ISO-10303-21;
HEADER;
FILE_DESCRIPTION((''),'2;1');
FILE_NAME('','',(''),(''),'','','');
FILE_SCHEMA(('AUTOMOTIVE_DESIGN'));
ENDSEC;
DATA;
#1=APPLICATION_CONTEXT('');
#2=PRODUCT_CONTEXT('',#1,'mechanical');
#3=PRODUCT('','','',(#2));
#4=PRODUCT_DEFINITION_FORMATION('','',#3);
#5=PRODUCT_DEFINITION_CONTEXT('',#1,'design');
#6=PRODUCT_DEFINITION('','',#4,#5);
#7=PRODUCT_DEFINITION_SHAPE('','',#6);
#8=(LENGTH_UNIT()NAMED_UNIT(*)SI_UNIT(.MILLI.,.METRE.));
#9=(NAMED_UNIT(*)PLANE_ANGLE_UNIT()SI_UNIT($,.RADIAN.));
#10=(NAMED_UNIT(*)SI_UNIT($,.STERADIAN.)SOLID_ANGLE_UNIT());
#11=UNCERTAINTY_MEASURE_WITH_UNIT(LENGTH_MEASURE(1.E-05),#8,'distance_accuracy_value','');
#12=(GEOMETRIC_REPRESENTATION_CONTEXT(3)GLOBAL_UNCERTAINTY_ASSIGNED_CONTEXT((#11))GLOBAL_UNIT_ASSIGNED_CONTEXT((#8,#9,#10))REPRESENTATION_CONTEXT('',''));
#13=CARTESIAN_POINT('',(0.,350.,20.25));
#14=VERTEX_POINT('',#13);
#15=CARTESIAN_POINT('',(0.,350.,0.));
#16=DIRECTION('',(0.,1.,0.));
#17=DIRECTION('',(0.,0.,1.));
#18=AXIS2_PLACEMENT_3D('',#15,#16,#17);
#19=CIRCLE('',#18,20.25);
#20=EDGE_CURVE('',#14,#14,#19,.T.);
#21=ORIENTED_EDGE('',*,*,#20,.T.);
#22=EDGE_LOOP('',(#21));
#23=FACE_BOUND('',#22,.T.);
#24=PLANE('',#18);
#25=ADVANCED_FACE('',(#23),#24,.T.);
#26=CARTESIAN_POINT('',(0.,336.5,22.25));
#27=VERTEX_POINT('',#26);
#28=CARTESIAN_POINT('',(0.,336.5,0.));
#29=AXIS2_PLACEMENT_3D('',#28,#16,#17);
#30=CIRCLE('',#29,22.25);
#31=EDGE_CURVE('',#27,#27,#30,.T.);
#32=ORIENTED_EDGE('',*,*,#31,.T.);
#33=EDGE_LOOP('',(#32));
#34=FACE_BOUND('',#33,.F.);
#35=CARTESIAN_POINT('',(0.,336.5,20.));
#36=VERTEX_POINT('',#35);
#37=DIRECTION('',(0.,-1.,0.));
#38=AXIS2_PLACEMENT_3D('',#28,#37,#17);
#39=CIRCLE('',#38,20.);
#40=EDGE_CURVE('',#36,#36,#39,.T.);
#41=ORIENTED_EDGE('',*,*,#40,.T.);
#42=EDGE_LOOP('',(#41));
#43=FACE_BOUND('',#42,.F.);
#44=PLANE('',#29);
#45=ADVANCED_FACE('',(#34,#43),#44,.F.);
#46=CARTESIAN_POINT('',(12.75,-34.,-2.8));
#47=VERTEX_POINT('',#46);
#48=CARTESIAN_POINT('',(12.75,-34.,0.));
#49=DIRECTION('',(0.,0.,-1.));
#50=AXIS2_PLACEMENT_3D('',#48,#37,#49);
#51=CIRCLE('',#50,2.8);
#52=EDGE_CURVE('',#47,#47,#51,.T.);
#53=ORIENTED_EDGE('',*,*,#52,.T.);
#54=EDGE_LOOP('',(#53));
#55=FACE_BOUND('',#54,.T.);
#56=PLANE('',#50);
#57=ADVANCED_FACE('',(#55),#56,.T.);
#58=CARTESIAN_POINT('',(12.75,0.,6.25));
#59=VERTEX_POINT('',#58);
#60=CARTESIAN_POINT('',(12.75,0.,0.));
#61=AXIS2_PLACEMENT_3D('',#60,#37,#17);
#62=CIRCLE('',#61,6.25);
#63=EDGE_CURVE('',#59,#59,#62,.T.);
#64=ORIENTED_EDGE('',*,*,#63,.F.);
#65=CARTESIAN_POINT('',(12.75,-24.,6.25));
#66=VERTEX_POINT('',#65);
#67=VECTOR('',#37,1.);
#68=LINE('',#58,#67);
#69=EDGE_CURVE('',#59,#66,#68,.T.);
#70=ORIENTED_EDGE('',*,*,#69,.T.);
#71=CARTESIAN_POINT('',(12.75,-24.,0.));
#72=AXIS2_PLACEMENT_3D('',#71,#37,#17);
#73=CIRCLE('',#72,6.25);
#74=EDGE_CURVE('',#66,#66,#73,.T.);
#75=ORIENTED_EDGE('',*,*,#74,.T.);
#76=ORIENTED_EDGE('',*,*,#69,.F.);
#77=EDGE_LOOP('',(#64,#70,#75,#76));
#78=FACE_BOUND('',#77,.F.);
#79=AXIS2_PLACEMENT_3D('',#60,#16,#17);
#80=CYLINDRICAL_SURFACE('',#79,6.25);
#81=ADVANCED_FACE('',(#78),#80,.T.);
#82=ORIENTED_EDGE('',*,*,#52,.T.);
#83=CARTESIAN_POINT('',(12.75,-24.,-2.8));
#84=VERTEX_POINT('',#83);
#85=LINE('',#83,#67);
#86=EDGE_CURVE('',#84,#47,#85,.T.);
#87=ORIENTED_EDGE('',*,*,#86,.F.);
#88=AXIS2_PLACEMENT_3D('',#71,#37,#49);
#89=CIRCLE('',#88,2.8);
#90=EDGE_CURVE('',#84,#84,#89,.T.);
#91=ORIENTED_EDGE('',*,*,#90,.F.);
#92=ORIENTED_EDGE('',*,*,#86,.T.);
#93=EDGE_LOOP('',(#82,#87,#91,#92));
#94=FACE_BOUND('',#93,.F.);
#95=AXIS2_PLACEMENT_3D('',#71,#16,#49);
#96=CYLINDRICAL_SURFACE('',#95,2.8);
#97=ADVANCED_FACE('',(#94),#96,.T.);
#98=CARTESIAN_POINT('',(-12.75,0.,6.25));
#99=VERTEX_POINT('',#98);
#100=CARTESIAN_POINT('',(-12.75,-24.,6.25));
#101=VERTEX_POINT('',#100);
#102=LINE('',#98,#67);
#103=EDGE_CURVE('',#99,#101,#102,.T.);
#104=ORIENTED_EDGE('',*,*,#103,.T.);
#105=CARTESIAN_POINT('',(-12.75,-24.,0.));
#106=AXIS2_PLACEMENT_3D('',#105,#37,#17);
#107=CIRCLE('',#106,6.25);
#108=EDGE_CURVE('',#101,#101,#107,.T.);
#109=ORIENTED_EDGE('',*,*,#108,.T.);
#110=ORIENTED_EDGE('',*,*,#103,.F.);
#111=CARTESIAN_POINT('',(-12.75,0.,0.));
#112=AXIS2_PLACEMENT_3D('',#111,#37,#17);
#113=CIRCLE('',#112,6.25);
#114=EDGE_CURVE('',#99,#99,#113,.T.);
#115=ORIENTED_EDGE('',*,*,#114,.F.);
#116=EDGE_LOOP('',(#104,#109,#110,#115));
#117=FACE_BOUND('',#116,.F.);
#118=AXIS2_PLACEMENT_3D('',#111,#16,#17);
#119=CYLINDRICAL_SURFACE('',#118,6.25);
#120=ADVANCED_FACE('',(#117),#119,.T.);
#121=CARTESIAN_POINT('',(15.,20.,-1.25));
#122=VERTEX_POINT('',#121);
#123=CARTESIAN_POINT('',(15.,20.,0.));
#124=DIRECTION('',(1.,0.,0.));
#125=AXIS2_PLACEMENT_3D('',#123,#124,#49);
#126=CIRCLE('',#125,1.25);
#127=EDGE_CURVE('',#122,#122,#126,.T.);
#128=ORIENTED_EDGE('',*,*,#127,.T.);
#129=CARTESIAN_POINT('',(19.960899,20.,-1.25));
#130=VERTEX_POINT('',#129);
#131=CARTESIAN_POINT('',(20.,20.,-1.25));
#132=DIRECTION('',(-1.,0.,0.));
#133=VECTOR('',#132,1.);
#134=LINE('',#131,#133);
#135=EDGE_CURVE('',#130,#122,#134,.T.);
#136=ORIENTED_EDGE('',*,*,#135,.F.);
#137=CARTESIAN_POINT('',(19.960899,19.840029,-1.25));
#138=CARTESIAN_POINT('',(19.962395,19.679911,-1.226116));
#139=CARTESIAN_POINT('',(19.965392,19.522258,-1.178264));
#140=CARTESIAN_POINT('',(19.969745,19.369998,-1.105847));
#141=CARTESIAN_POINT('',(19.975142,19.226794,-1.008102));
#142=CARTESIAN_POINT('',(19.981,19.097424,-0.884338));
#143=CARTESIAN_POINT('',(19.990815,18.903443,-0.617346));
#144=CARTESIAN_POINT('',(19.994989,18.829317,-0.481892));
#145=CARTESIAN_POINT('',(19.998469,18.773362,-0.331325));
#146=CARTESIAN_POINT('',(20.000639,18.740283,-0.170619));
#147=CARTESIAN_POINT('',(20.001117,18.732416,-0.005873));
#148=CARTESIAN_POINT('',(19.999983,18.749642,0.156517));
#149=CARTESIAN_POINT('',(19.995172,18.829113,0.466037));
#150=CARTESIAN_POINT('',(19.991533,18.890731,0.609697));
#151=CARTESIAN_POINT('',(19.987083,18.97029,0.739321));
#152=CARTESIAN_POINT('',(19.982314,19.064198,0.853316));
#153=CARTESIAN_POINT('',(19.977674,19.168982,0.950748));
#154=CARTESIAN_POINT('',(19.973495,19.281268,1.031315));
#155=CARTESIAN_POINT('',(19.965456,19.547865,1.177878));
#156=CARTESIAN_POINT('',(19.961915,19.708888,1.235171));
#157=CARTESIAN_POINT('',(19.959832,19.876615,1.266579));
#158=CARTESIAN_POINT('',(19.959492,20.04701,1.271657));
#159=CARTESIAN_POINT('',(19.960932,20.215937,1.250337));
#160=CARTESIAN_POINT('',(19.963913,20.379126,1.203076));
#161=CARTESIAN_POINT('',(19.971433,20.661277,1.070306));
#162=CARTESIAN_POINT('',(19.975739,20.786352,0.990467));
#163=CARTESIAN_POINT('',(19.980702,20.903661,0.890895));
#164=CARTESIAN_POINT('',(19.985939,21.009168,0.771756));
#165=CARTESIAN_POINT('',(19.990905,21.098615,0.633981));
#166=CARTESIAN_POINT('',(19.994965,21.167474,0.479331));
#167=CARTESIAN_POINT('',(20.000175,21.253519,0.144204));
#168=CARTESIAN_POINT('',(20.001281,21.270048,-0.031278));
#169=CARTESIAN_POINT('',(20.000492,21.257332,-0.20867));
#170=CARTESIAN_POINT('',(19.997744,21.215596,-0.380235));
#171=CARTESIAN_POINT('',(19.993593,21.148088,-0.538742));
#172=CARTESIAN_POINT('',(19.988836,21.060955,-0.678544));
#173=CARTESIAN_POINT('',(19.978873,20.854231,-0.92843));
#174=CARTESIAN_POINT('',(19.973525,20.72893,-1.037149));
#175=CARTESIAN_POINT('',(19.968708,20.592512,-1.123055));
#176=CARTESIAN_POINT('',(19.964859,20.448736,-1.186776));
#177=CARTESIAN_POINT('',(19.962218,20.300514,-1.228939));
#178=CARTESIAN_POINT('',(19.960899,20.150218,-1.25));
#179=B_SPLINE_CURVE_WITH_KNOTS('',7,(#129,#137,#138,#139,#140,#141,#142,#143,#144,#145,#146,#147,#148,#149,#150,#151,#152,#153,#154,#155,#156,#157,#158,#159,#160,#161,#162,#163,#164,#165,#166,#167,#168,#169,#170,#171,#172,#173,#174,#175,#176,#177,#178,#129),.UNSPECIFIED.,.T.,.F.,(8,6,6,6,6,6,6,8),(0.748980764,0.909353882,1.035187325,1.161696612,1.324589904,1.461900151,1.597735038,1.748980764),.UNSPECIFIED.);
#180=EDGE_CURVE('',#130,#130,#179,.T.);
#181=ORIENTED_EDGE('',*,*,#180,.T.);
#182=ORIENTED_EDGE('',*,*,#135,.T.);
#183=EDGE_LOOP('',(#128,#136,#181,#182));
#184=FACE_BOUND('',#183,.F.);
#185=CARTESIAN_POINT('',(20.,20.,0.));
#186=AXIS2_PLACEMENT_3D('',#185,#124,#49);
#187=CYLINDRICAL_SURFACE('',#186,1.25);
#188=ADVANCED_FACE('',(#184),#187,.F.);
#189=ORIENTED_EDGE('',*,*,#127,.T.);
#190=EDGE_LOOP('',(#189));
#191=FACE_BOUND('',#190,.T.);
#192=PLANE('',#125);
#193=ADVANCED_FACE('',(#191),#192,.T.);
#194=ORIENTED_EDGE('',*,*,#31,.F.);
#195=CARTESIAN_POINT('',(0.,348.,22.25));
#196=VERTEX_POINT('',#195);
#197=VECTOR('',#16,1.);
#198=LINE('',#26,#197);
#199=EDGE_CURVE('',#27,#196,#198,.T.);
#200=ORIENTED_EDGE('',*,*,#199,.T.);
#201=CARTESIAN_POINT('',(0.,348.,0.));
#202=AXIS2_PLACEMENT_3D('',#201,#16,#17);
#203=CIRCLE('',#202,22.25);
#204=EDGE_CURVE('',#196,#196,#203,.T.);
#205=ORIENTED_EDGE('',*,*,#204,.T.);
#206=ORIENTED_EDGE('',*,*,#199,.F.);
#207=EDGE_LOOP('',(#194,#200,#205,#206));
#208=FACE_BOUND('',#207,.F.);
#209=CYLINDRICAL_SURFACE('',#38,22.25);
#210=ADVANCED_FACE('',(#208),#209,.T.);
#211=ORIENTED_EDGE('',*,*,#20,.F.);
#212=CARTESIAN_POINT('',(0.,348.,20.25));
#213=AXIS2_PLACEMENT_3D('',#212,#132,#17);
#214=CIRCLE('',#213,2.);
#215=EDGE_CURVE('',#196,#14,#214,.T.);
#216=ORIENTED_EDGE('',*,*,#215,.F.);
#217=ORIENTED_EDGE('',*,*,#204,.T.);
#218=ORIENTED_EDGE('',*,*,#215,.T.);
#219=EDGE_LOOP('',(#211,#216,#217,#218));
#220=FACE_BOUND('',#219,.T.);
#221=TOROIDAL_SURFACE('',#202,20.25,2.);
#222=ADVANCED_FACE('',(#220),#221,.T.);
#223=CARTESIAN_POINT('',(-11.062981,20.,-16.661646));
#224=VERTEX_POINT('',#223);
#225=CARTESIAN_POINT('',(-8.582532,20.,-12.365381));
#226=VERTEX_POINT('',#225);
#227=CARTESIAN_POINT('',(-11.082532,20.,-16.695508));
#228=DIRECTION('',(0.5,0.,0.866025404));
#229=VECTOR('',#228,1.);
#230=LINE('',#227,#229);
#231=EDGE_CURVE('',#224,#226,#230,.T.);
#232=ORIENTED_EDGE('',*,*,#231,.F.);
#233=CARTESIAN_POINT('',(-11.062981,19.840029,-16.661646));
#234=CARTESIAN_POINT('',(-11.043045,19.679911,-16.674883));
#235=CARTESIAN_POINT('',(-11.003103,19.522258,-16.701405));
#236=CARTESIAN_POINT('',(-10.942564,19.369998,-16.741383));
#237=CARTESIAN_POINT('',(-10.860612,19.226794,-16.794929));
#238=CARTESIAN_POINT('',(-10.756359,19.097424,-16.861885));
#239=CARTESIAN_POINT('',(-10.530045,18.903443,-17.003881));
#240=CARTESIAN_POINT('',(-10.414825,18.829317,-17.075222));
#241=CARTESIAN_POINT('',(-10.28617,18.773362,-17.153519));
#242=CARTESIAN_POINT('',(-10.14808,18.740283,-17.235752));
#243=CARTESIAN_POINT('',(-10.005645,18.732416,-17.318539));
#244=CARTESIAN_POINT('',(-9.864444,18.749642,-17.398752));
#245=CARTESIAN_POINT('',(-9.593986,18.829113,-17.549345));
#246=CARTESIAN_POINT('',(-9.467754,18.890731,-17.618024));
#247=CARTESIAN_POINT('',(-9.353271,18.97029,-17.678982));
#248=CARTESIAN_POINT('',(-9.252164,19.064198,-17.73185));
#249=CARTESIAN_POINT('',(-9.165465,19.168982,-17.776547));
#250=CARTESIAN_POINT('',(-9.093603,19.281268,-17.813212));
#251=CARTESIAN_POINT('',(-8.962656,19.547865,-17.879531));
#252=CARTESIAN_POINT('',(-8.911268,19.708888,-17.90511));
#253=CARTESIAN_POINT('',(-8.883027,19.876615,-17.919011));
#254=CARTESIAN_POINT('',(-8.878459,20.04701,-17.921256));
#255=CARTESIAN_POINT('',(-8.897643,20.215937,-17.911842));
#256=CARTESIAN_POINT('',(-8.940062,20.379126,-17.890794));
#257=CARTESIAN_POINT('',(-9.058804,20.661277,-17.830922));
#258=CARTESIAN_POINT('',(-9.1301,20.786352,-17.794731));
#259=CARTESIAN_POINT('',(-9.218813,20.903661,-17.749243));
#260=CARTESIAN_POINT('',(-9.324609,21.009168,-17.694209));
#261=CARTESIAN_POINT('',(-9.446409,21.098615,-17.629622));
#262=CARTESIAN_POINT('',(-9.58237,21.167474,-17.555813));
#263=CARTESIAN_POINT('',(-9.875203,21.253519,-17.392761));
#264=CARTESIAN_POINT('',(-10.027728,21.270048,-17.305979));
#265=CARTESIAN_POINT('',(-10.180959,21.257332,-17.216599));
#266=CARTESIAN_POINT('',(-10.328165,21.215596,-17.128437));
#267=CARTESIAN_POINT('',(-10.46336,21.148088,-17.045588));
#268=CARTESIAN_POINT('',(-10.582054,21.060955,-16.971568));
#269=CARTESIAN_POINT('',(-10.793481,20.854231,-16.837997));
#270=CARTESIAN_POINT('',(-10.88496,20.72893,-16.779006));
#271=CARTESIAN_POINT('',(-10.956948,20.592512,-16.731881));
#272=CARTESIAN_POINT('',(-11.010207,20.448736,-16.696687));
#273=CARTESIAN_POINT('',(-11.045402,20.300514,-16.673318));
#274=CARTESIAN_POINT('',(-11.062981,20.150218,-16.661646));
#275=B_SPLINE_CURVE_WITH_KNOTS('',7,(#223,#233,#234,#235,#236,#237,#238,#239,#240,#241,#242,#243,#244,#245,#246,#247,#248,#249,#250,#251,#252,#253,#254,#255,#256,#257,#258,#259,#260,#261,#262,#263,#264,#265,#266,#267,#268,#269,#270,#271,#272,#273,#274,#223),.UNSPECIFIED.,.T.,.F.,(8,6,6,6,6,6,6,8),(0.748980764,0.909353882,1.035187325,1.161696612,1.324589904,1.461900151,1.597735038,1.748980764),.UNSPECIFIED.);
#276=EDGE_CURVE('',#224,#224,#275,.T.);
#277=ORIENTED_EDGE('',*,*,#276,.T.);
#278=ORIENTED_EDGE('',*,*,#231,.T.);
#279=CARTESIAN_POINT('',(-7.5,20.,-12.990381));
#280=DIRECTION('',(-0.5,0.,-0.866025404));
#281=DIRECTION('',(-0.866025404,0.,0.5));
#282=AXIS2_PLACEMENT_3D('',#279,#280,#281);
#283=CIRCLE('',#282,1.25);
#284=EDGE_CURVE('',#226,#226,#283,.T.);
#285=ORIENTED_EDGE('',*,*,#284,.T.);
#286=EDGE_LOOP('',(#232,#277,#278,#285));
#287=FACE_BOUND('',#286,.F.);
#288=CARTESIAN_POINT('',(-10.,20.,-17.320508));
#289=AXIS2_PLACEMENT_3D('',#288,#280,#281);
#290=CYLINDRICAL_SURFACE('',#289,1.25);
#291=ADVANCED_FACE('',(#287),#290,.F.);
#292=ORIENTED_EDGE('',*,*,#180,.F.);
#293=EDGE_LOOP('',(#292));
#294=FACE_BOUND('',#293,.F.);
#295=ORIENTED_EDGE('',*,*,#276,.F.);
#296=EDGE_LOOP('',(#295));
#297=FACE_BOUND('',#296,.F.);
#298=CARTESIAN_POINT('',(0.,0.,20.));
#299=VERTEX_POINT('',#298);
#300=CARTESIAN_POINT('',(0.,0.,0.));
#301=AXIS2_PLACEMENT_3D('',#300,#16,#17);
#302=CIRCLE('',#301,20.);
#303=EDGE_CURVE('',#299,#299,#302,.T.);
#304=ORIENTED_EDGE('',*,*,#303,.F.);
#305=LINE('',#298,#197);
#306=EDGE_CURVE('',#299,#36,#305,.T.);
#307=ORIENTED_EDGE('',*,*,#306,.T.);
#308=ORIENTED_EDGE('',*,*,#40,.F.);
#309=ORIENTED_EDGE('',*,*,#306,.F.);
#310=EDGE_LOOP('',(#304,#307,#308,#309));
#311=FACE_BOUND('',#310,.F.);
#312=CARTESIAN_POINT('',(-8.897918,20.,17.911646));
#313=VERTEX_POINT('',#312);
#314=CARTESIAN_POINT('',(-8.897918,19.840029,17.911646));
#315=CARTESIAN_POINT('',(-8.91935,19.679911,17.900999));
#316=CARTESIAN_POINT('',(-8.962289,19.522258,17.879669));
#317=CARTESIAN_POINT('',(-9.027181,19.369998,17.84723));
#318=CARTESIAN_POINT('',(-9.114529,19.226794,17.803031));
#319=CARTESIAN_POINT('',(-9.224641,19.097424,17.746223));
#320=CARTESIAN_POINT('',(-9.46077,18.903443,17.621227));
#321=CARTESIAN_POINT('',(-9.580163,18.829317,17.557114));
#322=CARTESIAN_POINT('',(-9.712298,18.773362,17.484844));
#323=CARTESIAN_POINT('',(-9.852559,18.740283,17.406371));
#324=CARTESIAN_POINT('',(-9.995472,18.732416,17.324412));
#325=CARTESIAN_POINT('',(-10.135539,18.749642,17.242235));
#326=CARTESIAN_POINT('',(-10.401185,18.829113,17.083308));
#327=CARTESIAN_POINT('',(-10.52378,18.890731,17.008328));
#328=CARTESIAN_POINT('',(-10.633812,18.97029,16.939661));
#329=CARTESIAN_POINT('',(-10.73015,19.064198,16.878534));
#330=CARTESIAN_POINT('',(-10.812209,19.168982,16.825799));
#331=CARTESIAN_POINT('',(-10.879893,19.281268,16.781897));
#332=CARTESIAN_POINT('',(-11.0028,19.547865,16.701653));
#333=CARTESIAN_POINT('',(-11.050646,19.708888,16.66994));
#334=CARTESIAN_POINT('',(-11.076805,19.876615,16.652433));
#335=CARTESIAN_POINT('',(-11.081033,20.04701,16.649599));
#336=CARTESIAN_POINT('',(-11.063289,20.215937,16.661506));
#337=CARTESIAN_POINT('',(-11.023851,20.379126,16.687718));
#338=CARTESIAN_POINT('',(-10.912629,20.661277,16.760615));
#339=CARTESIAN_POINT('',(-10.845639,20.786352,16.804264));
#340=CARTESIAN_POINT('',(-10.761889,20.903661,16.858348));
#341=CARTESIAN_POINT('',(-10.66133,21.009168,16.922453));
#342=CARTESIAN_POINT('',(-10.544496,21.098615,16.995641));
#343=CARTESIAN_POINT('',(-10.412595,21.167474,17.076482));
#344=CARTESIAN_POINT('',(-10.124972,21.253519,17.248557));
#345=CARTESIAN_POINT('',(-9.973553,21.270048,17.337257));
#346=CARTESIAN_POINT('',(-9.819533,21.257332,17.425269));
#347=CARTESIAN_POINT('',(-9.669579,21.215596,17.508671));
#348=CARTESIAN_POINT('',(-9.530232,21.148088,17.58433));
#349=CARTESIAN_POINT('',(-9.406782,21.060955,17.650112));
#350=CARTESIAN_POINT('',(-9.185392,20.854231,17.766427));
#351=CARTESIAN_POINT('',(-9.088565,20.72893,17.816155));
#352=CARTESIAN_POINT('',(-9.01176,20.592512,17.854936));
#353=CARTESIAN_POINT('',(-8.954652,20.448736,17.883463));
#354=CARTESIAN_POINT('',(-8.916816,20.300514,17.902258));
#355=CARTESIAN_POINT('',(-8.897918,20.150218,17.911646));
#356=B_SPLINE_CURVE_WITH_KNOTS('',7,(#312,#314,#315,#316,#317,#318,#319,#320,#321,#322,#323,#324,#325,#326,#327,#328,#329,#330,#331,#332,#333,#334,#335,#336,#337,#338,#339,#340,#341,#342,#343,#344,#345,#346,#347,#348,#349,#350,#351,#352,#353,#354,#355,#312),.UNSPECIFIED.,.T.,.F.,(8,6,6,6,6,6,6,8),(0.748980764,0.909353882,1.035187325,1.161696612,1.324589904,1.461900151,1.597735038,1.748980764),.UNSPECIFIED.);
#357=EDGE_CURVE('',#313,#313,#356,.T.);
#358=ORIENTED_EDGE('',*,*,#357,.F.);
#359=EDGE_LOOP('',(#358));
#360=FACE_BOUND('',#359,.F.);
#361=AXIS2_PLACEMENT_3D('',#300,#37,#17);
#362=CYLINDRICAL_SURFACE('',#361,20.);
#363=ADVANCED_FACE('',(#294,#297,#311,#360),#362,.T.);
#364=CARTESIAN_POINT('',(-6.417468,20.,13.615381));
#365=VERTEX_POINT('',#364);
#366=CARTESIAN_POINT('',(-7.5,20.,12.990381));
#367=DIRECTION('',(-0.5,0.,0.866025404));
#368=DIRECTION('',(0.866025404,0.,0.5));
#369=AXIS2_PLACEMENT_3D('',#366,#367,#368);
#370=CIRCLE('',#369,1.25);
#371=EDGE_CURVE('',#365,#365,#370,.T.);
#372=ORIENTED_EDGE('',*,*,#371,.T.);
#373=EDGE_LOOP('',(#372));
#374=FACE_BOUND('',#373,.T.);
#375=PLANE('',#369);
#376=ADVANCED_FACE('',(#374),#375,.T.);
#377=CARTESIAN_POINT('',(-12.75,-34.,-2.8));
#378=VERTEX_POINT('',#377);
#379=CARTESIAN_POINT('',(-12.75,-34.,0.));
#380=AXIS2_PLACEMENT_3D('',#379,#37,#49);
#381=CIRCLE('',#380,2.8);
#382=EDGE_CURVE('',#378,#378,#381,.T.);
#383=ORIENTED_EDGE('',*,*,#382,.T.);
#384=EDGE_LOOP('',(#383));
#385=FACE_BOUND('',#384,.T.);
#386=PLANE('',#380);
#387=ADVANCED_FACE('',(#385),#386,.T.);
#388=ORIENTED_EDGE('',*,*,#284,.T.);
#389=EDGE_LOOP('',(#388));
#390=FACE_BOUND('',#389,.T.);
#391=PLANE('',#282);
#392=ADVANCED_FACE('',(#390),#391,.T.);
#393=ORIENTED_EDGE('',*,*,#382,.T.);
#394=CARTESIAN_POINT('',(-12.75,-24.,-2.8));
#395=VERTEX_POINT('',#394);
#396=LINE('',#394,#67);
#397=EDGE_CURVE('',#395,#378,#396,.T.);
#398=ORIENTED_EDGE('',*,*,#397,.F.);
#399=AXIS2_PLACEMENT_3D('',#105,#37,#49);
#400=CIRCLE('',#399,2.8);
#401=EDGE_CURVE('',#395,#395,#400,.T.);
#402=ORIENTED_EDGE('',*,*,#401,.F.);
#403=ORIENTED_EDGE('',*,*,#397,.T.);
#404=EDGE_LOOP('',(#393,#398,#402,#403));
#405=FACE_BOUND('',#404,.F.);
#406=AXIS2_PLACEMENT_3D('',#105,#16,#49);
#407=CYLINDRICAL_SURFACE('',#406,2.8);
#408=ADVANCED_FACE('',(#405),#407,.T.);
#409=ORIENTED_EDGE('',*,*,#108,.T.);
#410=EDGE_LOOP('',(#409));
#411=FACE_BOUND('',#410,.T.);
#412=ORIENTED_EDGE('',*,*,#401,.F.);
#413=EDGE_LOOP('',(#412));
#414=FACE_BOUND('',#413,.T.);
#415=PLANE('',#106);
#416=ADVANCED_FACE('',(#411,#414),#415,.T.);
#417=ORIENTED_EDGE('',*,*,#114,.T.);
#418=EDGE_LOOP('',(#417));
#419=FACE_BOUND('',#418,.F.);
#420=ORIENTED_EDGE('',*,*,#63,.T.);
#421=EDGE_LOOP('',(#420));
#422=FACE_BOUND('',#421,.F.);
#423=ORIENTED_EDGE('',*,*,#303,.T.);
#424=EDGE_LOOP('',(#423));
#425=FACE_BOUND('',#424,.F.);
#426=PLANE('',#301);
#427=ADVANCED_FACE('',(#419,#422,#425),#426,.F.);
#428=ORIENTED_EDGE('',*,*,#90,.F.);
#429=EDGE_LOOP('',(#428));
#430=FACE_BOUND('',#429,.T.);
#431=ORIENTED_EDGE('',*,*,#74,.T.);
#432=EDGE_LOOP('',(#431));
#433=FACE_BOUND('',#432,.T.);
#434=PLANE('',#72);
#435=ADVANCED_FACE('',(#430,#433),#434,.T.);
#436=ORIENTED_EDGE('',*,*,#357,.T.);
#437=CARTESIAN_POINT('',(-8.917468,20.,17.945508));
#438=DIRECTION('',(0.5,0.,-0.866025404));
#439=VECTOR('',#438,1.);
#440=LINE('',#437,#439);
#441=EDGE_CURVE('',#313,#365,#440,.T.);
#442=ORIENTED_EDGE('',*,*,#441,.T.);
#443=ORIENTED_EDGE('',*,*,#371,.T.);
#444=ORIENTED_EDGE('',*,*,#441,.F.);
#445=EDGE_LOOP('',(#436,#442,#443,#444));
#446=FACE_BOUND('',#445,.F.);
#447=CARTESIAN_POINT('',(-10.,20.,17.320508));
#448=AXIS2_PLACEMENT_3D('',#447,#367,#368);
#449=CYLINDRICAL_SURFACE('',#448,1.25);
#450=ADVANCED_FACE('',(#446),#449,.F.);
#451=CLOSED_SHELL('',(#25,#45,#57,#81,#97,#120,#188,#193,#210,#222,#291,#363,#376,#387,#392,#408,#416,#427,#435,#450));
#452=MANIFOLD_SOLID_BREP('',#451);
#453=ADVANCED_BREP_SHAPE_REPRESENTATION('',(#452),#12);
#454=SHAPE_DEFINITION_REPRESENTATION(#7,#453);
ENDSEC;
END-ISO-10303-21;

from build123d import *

# Parameters (mm, degrees)
SKETCH1_R                = 20
BOSS_EXTRUDE1_DEPTH      = 345
BOSS_EXTRUDE2_DEPTH      = 5
BOSS_EXTRUDE2_DEPTH_BACK = 8.5
SKETCH2_R                = 22.25
FILLET1_R                = 2
SKETCH3_R                = 1.25
CUT_EXTRUDE1_DEPTH       = 5
CIRPATTERN1_COUNT        = 3
SKETCH4_R                = 6.25
BOSS_EXTRUDE3_DEPTH      = 24
SKETCH5_R                = 2.8
BOSS_EXTRUDE4_DEPTH      = 10


with BuildPart() as part:
    # Sketch1 → Boss-Extrude1 (new body)
    with BuildSketch(Plane(origin=(0, 0, 0), x_dir=(1, 0, 0), z_dir=(0, 1, 0))):
        with Locations(Location((0, 0, 0), (0, 0, 270))):
            Circle(SKETCH1_R)
    extrude(amount=BOSS_EXTRUDE1_DEPTH)

    # Sketch2 → Boss-Extrude2 (add, two sides: drawn at the far end of the back side and taken through both)
    with BuildSketch(Plane(origin=(0, 345, 0), x_dir=(1, 0, 0), z_dir=(0, 1, 0)).offset(-BOSS_EXTRUDE2_DEPTH_BACK)):
        with Locations(Location((0, 0, 0), (0, 0, 270))):
            Circle(SKETCH2_R)
    extrude(amount=BOSS_EXTRUDE2_DEPTH + BOSS_EXTRUDE2_DEPTH_BACK)

    # Fillet1
    fillet1_edges = [part.edges().sort_by_distance(p)[0] for p in [
        (0, 350, -22.25),
    ]]
    fillet(fillet1_edges, radius=FILLET1_R)

    # Sketch3 → Cut-Extrude1 (cut)
    with BuildSketch(Plane(origin=(20, 0, 0), x_dir=(0, 0, -1), z_dir=(1, 0, 0))):
        with Locations((0, 20)):
            Circle(SKETCH3_R)
    cut_extrude1 = extrude(amount=-CUT_EXTRUDE1_DEPTH, mode=Mode.SUBTRACT)

    # CirPattern1: Cut-Extrude1 ×3 about axis
    cirpattern1_axis = Axis((0, 0, 0), (0, 1, 0))
    for i in range(1, CIRPATTERN1_COUNT):
        add(cut_extrude1.rotate(cirpattern1_axis, i * 360 / CIRPATTERN1_COUNT), mode=Mode.SUBTRACT)

    # Sketch4 → Boss-Extrude3 (add)
    with BuildSketch(Plane.XZ):
        with Locations(Location((-12.75, 0, 0), (0, 0, 90))):
            Circle(SKETCH4_R)
        with Locations(Location((12.75, 0, 0), (0, 0, 90))):
            Circle(SKETCH4_R)
    extrude(amount=BOSS_EXTRUDE3_DEPTH)

    # Sketch5 → Boss-Extrude4 (add)
    with BuildSketch(Plane.XZ.offset(24)):
        with Locations(Location((-12.75, 0, 0), (0, 0, 270))):
            Circle(SKETCH5_R)
        with Locations(Location((12.75, 0, 0), (0, 0, 270))):
            Circle(SKETCH5_R)
    extrude(amount=BOSS_EXTRUDE4_DEPTH)


solid = part.part
